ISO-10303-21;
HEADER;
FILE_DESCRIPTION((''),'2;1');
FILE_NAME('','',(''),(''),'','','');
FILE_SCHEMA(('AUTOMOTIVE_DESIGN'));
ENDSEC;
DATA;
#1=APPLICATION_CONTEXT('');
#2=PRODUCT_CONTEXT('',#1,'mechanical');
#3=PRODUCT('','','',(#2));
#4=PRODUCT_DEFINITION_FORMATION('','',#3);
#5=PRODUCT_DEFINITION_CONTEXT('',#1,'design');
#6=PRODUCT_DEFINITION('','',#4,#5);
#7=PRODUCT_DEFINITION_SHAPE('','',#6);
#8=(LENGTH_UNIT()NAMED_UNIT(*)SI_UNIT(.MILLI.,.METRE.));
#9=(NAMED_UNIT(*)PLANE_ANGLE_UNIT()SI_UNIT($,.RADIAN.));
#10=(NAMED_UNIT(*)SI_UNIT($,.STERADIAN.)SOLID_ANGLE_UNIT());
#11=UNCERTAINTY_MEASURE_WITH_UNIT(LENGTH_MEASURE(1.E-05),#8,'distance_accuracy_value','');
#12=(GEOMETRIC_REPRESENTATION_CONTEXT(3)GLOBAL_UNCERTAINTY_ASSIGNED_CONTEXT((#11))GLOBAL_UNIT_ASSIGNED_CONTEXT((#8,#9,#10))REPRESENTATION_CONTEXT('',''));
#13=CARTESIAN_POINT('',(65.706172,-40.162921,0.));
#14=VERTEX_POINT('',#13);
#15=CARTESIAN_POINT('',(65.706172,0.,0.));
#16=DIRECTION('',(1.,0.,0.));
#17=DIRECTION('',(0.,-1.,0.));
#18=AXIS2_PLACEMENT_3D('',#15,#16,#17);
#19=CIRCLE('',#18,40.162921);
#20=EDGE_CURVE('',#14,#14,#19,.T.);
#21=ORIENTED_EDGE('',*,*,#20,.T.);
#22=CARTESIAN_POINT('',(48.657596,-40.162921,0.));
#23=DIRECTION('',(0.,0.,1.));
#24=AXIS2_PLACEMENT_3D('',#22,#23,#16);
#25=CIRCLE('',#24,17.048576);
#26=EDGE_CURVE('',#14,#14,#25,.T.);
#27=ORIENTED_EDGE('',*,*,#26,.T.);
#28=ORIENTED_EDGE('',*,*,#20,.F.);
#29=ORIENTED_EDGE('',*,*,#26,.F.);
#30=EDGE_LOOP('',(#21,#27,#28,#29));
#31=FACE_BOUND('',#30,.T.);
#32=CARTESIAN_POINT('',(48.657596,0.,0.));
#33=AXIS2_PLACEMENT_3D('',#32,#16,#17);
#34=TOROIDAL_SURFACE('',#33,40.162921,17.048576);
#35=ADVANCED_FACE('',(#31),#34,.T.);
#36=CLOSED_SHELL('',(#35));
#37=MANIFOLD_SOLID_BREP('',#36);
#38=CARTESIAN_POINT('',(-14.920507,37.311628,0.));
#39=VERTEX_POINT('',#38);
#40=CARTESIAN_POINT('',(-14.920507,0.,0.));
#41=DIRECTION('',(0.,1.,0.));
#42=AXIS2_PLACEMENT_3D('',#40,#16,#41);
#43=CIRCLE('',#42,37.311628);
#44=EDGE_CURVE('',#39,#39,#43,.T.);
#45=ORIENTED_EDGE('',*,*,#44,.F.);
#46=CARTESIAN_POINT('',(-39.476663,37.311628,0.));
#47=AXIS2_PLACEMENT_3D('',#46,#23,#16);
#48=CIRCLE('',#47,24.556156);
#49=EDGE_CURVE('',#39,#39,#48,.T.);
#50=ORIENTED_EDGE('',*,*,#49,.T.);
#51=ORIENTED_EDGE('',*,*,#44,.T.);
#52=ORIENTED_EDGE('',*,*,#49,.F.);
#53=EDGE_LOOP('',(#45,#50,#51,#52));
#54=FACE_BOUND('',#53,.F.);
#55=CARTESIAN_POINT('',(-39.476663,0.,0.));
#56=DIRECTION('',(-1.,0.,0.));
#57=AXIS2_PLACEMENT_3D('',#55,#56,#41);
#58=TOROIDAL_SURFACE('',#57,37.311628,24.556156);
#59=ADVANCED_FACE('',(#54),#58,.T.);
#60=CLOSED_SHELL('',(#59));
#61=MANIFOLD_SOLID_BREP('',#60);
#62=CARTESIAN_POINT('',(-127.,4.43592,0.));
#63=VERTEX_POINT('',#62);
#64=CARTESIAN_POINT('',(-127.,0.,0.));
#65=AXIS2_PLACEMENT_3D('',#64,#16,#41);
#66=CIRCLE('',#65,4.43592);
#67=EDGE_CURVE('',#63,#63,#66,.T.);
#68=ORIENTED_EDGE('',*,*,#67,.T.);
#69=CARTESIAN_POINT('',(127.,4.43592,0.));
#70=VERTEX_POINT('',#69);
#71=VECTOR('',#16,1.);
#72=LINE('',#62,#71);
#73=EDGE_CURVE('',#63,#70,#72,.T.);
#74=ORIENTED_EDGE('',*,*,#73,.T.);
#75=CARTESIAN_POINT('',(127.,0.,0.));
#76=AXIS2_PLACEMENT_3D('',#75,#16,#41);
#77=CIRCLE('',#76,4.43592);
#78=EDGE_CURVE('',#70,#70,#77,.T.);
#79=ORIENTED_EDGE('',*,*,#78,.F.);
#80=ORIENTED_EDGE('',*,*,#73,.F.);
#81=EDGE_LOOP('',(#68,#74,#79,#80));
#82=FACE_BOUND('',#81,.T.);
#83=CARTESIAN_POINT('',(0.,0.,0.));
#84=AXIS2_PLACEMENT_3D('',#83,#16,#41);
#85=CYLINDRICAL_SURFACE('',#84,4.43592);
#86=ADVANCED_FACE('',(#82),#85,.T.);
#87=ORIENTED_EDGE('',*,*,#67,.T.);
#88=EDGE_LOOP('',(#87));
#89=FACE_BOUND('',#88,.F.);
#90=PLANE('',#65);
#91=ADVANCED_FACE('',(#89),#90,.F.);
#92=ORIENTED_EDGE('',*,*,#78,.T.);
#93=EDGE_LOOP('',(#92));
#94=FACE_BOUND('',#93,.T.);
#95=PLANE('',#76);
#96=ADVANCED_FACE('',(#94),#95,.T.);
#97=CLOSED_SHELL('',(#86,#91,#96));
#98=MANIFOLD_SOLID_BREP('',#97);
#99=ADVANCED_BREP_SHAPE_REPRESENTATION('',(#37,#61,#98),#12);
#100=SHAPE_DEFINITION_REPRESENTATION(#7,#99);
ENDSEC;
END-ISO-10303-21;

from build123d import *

# Parameters (mm, degrees)
F0_R     = 24.556156
F0_R_2   = 17.048576
F3_R     = 4.43592
F4_DEPTH = 127


with BuildPart() as f2:
    # F0 (on Top) → F2 (revolve)
    with BuildSketch(Plane.XY):
        with Locations((-39.476663, 37.311628)):
            Circle(F0_R)
        with Locations((48.657596, -40.162921)):
            Circle(F0_R_2)
    revolve(axis=Axis((2.068199, 0, 0), (1, 0, 0)))


with BuildPart() as f4:
    # F3 (on Right) → F4 (new body, symmetric)
    with BuildSketch(Plane.YZ):
        Circle(F3_R)
    extrude(amount=F4_DEPTH, both=True)


solid = Compound([f2.part, f4.part])
